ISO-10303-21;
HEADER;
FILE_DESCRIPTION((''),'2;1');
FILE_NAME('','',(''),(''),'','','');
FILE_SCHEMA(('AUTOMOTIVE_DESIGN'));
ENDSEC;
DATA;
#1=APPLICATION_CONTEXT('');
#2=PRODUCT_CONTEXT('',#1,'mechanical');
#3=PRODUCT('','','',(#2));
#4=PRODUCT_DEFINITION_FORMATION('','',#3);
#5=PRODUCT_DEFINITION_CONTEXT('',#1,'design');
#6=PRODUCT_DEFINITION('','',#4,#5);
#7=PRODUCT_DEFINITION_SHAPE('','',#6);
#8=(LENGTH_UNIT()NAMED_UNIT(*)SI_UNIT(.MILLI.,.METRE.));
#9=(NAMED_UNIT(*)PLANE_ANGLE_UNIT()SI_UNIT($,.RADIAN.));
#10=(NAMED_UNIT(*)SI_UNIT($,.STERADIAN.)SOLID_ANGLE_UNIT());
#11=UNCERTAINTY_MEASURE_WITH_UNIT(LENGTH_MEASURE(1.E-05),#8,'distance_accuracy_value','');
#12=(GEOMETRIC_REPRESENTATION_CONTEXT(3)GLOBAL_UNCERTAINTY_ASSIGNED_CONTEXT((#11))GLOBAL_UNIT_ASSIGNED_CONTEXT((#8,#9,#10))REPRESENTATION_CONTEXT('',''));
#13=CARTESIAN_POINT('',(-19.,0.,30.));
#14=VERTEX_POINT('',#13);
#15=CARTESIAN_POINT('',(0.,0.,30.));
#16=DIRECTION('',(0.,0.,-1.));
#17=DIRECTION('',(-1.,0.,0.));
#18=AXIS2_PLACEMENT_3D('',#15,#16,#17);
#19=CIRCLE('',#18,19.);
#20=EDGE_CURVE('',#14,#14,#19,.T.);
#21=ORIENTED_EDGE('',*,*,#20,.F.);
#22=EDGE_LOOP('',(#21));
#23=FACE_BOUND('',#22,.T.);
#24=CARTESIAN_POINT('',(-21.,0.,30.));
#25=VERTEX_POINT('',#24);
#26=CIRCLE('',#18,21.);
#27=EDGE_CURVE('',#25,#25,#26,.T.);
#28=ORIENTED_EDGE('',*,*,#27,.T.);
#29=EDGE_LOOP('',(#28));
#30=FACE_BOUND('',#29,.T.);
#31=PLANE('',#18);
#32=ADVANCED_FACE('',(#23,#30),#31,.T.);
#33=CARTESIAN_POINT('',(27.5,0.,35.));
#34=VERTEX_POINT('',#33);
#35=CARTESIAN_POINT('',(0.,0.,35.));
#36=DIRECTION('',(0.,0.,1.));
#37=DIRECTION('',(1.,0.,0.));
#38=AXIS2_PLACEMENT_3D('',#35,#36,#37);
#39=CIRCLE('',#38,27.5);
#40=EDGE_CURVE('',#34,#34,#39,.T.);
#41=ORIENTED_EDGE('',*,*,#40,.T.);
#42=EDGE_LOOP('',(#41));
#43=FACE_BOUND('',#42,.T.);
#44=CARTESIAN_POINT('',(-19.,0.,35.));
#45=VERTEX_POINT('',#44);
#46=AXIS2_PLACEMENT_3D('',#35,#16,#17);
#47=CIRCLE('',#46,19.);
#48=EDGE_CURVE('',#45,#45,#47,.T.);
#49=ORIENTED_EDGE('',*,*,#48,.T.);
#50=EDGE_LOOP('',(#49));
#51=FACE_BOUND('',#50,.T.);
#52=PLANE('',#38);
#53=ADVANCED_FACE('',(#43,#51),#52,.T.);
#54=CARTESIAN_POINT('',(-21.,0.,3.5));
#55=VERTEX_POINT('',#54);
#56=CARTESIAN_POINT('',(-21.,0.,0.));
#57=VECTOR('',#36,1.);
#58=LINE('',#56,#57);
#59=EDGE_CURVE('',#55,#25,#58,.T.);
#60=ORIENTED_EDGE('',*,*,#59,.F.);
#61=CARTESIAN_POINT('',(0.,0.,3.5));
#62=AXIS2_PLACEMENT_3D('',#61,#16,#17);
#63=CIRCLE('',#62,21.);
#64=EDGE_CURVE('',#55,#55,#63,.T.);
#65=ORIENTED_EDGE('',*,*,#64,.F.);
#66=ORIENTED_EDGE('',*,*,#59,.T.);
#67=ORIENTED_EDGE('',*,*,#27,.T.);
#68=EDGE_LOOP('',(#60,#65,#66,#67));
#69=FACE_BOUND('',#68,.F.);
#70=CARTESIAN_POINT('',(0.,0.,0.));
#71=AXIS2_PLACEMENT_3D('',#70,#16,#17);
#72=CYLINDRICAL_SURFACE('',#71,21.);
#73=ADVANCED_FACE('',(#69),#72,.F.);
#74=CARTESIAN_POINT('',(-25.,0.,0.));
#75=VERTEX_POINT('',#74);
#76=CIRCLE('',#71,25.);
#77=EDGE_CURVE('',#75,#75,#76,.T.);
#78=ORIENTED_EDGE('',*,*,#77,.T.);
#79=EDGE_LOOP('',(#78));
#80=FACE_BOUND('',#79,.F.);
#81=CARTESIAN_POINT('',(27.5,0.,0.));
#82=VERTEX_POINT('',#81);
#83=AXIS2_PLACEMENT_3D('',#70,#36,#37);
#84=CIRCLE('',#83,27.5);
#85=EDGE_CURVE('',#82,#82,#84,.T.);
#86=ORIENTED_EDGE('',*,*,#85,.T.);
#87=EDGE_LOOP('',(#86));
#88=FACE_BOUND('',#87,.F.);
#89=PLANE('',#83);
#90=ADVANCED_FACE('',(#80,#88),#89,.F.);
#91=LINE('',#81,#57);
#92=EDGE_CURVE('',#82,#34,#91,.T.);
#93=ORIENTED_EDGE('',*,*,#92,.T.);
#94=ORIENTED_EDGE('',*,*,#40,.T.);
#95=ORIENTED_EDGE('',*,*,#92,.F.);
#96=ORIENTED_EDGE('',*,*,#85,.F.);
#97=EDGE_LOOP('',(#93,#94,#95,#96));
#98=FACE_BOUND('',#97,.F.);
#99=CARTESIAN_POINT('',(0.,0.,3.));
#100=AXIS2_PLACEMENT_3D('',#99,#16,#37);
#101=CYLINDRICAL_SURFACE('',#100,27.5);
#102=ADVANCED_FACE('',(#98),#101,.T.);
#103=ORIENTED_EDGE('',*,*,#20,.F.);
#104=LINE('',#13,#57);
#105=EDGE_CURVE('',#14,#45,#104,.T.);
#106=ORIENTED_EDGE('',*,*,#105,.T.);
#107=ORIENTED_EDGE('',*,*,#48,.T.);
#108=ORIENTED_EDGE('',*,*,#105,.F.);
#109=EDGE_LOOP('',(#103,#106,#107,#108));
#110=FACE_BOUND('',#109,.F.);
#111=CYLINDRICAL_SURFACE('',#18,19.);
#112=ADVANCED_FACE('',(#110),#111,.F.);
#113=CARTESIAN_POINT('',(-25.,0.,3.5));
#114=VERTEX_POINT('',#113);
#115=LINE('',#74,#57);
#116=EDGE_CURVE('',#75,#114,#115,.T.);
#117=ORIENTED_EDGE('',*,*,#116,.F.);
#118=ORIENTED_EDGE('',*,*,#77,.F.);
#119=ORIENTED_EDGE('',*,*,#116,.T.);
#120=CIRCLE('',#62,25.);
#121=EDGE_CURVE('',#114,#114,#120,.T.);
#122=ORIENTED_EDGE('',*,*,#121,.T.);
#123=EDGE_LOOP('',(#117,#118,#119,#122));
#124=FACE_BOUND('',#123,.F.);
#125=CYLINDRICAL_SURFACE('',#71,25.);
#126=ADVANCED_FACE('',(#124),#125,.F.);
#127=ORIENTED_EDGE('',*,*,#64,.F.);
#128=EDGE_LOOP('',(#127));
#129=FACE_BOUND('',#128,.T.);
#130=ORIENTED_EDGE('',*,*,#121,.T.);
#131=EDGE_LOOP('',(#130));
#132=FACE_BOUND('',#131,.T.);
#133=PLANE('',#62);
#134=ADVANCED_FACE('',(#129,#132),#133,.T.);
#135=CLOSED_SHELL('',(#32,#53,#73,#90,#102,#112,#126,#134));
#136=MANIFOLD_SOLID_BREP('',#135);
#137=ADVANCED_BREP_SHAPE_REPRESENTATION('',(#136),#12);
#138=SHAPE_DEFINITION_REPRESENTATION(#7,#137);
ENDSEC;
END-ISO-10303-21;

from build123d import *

# Parameters (mm, degrees)
SKETCH_1_R          = 27.5
EXTRUDE_1_DEPTH     = 3
SKETCH_2_R          = 27.5
EXTRUDE_2_DEPTH     = 32
SKETCH_3_R          = 21
CUT_EXTRUDE_1_DEPTH = 30
SKETCH_4_R          = 19
CUT_EXTRUDE_2_DEPTH = 30
SKETCH_5_R          = 25
CUT_EXTRUDE_3_DEPTH = 3.5


with BuildPart() as part:
    # 草图1 → 拉伸1 (new body)
    with BuildSketch(Plane.XY):
        Circle(SKETCH_1_R)
    extrude(amount=EXTRUDE_1_DEPTH)

    # 草图2 → 拉伸2 (add)
    with BuildSketch(Plane.XY.offset(3)):
        Circle(SKETCH_2_R)
    extrude(amount=EXTRUDE_2_DEPTH)

    # 草图3 → 切除-拉伸1 (cut)
    with BuildSketch(Plane(origin=(0, 0, 0), x_dir=(-1, 0, 0), z_dir=(0, 0, -1))):
        Circle(SKETCH_3_R)
    extrude(amount=-CUT_EXTRUDE_1_DEPTH, mode=Mode.SUBTRACT)

    # 草图4 → 切除-拉伸2 (cut)
    with BuildSketch(Plane(origin=(0, 0, 30), x_dir=(-1, 0, 0), z_dir=(0, 0, -1))):
        Circle(SKETCH_4_R)
    extrude(amount=-CUT_EXTRUDE_2_DEPTH, mode=Mode.SUBTRACT)

    # 草图5 → 切除-拉伸3 (cut)
    with BuildSketch(Plane(origin=(0, 0, 0), x_dir=(-1, 0, 0), z_dir=(0, 0, -1))):
        Circle(SKETCH_5_R)
    extrude(amount=-CUT_EXTRUDE_3_DEPTH, mode=Mode.SUBTRACT)


solid = part.part
